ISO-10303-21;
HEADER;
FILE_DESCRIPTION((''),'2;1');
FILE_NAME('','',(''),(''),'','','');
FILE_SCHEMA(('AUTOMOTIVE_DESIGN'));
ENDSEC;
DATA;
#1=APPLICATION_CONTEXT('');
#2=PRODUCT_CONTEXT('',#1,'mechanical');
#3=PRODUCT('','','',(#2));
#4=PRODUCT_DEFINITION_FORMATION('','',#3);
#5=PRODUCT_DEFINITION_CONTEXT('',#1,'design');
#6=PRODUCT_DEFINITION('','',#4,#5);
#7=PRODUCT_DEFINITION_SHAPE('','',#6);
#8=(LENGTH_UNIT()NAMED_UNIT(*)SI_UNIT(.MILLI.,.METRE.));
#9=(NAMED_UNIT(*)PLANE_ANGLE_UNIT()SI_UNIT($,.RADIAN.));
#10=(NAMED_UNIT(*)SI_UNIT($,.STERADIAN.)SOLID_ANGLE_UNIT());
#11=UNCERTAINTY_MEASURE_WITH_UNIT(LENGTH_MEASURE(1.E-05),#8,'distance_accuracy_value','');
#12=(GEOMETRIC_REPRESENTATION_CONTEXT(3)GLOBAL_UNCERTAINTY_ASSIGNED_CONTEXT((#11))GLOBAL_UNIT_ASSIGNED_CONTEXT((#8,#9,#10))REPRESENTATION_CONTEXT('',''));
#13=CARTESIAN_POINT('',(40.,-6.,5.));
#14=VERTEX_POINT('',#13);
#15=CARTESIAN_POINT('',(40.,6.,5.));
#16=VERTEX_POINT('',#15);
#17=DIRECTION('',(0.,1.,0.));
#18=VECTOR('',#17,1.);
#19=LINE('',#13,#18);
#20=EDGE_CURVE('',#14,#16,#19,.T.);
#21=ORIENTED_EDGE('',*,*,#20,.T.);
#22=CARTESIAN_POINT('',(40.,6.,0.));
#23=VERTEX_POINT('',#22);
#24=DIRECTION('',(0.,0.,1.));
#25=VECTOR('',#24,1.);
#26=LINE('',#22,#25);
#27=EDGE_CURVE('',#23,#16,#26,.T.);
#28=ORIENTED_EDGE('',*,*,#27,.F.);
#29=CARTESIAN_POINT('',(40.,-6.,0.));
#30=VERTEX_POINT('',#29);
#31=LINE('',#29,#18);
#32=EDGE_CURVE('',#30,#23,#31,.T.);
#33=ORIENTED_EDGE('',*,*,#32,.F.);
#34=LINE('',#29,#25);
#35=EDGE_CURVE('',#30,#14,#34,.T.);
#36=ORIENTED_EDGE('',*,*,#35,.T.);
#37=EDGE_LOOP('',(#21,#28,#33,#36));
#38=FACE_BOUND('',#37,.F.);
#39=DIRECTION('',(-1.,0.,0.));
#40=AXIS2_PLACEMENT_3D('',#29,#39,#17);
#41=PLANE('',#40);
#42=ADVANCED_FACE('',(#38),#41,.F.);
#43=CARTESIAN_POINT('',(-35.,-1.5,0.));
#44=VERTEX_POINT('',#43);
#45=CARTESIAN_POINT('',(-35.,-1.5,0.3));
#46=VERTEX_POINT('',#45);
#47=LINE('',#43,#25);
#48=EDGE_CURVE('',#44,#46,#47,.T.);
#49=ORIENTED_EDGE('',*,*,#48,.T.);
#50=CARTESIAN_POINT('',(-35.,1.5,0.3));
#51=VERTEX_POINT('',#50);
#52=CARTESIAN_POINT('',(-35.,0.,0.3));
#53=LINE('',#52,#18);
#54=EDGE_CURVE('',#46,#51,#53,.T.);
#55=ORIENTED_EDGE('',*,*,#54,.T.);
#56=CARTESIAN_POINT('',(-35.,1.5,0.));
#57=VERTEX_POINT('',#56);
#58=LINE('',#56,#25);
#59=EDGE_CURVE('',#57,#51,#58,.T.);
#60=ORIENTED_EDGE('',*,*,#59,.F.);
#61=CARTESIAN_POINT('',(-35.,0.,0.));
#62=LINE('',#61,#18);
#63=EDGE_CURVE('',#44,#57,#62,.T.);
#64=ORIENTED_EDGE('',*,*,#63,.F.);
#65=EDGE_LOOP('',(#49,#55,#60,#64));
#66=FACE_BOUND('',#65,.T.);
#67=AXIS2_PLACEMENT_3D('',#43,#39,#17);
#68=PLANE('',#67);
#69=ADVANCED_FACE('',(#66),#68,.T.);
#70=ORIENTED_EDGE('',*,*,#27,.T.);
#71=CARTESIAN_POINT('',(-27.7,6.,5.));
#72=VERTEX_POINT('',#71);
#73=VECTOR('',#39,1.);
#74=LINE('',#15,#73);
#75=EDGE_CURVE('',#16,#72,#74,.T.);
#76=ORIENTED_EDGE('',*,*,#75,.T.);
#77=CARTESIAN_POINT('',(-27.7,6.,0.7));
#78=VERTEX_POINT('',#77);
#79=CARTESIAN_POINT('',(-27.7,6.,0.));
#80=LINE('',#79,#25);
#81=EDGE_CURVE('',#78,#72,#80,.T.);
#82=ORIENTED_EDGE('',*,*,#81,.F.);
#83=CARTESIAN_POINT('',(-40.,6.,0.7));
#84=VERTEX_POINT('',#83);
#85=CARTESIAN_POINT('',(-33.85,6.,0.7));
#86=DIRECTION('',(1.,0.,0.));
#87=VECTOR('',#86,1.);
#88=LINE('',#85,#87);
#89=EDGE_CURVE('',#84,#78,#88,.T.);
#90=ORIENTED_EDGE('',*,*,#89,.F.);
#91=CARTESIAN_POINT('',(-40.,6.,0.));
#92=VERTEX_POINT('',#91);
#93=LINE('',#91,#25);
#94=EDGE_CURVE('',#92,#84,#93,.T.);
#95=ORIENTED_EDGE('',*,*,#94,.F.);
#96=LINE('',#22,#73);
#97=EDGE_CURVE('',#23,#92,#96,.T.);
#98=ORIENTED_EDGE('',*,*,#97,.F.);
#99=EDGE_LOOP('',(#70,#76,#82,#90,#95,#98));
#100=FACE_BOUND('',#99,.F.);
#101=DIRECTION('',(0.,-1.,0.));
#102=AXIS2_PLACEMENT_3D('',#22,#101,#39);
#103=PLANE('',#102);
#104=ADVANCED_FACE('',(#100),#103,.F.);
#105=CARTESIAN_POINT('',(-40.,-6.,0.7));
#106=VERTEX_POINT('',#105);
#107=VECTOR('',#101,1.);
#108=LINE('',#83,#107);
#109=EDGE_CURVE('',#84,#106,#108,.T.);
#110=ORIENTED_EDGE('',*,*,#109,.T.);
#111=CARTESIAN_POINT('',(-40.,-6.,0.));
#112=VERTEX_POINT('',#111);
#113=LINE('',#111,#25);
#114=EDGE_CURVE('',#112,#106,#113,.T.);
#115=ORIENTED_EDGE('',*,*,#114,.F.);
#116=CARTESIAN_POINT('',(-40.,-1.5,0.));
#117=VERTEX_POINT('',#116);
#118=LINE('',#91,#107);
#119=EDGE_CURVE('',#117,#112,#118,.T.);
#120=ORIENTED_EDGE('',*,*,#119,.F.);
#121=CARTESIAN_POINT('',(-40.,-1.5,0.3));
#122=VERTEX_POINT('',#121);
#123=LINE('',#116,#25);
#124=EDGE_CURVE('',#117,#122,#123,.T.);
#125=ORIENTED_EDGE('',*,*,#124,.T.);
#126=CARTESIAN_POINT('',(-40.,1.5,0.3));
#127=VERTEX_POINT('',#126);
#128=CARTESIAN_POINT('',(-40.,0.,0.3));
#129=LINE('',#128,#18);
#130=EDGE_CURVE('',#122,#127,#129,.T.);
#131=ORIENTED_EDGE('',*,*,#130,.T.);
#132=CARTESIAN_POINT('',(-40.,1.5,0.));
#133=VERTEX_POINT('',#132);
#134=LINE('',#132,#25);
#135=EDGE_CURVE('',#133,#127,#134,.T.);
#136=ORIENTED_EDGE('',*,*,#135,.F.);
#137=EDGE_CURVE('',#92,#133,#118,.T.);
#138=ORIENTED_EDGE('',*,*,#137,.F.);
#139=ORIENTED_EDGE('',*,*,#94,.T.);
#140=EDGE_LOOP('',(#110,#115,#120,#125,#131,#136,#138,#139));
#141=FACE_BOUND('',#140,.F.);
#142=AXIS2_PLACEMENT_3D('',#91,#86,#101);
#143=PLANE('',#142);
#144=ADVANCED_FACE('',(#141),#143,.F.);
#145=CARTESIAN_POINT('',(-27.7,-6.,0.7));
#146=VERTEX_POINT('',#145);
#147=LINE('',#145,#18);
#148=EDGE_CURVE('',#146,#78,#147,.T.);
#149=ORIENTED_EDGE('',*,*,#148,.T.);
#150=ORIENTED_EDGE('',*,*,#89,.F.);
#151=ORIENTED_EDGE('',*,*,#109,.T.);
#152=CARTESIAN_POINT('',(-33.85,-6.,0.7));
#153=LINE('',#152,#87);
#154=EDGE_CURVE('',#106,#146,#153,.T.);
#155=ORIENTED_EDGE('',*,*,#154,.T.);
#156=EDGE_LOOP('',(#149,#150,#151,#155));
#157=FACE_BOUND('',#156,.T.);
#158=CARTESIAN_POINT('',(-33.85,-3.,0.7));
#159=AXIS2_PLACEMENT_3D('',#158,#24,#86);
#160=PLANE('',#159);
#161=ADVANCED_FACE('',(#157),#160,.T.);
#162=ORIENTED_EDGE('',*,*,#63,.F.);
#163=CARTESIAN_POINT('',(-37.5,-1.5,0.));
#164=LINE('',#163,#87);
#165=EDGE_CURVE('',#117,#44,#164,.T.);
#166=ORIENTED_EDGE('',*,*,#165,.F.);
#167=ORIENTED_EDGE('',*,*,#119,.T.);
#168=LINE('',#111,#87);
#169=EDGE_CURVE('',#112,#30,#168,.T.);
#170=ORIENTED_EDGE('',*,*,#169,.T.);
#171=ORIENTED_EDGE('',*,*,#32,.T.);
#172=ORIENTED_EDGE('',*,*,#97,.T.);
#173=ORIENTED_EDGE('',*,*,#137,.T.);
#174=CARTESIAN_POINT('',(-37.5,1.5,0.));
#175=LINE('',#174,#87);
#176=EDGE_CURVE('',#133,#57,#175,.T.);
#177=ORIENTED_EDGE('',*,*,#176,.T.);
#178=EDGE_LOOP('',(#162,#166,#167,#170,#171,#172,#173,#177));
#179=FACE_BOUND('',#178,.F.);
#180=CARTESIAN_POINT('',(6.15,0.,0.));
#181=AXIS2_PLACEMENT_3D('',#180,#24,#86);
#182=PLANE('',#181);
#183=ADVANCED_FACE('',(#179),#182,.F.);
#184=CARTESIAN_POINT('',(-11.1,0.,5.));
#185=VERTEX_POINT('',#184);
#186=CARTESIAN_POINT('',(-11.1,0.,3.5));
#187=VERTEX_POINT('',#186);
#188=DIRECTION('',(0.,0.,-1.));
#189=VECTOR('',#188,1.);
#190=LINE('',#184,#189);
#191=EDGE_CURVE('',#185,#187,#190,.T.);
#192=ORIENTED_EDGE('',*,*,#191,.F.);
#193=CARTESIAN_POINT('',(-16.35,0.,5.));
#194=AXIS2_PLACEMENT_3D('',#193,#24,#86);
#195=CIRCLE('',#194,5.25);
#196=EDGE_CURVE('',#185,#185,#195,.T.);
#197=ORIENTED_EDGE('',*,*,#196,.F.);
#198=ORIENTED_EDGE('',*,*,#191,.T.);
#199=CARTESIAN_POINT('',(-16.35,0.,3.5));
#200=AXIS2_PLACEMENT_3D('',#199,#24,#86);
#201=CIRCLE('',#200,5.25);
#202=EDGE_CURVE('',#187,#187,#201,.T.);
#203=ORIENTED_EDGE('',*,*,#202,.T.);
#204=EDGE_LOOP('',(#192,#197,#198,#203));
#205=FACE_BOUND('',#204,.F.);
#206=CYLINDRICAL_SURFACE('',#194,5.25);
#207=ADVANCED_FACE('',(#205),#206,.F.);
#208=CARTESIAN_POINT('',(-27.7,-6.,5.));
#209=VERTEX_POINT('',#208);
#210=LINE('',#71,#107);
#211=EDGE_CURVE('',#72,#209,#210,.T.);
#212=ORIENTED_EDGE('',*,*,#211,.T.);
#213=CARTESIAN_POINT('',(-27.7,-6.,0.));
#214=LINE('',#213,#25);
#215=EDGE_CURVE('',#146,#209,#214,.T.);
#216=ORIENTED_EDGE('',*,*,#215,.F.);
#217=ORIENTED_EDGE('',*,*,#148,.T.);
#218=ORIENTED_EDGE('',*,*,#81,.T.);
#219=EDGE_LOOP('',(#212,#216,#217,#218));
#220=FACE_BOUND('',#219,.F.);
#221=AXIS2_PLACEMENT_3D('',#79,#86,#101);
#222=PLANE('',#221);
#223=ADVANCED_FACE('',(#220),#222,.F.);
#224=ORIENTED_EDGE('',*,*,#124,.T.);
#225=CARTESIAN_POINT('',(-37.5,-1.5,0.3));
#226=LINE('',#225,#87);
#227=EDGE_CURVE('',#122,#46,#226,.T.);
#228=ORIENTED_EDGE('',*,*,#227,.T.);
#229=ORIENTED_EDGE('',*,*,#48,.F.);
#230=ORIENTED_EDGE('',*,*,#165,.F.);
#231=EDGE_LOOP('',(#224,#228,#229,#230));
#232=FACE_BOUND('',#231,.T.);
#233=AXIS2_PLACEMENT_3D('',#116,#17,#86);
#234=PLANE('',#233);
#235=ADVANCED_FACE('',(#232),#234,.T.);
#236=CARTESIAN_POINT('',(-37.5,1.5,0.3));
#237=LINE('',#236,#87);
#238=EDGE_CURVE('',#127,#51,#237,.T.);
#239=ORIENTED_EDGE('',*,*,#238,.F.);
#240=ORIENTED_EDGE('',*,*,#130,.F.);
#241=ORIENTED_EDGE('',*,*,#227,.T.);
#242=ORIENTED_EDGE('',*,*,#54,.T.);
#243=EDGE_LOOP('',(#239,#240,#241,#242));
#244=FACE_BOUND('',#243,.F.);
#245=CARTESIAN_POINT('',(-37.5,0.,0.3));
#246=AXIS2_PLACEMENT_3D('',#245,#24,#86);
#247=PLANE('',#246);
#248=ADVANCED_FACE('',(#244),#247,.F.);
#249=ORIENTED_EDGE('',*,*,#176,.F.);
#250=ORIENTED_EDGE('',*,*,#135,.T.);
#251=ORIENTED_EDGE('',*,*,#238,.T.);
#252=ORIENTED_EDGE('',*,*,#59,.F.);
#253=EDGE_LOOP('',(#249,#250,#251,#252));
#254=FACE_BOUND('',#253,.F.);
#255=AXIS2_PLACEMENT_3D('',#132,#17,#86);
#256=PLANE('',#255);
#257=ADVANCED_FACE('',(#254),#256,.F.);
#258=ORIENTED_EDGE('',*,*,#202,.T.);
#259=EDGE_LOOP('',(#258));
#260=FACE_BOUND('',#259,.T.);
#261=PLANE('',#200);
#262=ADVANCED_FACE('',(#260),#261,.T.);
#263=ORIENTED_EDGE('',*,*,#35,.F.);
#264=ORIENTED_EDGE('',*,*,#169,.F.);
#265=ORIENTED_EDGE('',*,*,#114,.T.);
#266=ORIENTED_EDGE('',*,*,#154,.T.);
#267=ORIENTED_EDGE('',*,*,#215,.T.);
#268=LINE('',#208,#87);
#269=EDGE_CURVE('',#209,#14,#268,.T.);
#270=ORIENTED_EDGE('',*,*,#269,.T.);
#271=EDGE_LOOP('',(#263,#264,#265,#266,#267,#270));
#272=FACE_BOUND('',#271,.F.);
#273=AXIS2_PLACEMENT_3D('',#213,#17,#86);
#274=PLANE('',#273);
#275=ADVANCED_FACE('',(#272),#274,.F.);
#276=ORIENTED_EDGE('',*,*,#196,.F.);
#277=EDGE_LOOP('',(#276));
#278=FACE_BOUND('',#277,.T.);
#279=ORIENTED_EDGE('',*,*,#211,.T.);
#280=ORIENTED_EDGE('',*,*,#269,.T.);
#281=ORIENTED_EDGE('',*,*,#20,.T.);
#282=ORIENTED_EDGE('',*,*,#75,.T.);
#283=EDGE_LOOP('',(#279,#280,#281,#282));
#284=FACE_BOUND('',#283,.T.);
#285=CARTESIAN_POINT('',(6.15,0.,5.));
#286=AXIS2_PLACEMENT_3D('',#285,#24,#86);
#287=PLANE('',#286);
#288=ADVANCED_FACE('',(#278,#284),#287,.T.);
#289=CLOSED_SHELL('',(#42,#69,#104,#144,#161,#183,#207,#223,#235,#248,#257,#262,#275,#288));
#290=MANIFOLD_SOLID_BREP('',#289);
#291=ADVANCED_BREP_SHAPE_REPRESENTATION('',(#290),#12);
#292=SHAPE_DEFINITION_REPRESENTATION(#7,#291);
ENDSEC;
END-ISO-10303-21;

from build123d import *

# Parameters (mm, degrees)
F0_W     = 12.3
F0_H     = 6
F1_DEPTH = 0.7
F3_DEPTH = 5
F4_R     = 5.25
F5_DEPTH = 1.5
F2_W     = 5
F2_H     = 3
F6_DEPTH = 0.3


with BuildPart() as f1:
    # F0 (on Top) → F1 (new body)
    with BuildSketch(Plane.XY):
        with Locations((-33.85, -3)):
            Rectangle(F0_W, F0_H)
        with Locations((-33.85, 3)):
            Rectangle(F0_W, F0_H)
    extrude(amount=F1_DEPTH)

    # F0 (on Top) → F3 (join)
    with BuildSketch(Plane.XY):
        Polygon((40, -6), (40, 6), (-27.7, 6), (-27.7, 0), (-27.7, -6), align=None)
    extrude(amount=F3_DEPTH)

    # F4 (on face) → F5 (cut)
    with BuildSketch(Plane.XY.offset(5)):
        with Locations((-16.35, 0)):
            Circle(F4_R)
    extrude(amount=-F5_DEPTH, mode=Mode.SUBTRACT)

    # F2 (on Top) → F6 (cut)
    with BuildSketch(Plane.XY):
        with Locations((-37.5, 0)):
            Rectangle(F2_W, F2_H)
    extrude(amount=F6_DEPTH, mode=Mode.SUBTRACT)


solid = f1.part
